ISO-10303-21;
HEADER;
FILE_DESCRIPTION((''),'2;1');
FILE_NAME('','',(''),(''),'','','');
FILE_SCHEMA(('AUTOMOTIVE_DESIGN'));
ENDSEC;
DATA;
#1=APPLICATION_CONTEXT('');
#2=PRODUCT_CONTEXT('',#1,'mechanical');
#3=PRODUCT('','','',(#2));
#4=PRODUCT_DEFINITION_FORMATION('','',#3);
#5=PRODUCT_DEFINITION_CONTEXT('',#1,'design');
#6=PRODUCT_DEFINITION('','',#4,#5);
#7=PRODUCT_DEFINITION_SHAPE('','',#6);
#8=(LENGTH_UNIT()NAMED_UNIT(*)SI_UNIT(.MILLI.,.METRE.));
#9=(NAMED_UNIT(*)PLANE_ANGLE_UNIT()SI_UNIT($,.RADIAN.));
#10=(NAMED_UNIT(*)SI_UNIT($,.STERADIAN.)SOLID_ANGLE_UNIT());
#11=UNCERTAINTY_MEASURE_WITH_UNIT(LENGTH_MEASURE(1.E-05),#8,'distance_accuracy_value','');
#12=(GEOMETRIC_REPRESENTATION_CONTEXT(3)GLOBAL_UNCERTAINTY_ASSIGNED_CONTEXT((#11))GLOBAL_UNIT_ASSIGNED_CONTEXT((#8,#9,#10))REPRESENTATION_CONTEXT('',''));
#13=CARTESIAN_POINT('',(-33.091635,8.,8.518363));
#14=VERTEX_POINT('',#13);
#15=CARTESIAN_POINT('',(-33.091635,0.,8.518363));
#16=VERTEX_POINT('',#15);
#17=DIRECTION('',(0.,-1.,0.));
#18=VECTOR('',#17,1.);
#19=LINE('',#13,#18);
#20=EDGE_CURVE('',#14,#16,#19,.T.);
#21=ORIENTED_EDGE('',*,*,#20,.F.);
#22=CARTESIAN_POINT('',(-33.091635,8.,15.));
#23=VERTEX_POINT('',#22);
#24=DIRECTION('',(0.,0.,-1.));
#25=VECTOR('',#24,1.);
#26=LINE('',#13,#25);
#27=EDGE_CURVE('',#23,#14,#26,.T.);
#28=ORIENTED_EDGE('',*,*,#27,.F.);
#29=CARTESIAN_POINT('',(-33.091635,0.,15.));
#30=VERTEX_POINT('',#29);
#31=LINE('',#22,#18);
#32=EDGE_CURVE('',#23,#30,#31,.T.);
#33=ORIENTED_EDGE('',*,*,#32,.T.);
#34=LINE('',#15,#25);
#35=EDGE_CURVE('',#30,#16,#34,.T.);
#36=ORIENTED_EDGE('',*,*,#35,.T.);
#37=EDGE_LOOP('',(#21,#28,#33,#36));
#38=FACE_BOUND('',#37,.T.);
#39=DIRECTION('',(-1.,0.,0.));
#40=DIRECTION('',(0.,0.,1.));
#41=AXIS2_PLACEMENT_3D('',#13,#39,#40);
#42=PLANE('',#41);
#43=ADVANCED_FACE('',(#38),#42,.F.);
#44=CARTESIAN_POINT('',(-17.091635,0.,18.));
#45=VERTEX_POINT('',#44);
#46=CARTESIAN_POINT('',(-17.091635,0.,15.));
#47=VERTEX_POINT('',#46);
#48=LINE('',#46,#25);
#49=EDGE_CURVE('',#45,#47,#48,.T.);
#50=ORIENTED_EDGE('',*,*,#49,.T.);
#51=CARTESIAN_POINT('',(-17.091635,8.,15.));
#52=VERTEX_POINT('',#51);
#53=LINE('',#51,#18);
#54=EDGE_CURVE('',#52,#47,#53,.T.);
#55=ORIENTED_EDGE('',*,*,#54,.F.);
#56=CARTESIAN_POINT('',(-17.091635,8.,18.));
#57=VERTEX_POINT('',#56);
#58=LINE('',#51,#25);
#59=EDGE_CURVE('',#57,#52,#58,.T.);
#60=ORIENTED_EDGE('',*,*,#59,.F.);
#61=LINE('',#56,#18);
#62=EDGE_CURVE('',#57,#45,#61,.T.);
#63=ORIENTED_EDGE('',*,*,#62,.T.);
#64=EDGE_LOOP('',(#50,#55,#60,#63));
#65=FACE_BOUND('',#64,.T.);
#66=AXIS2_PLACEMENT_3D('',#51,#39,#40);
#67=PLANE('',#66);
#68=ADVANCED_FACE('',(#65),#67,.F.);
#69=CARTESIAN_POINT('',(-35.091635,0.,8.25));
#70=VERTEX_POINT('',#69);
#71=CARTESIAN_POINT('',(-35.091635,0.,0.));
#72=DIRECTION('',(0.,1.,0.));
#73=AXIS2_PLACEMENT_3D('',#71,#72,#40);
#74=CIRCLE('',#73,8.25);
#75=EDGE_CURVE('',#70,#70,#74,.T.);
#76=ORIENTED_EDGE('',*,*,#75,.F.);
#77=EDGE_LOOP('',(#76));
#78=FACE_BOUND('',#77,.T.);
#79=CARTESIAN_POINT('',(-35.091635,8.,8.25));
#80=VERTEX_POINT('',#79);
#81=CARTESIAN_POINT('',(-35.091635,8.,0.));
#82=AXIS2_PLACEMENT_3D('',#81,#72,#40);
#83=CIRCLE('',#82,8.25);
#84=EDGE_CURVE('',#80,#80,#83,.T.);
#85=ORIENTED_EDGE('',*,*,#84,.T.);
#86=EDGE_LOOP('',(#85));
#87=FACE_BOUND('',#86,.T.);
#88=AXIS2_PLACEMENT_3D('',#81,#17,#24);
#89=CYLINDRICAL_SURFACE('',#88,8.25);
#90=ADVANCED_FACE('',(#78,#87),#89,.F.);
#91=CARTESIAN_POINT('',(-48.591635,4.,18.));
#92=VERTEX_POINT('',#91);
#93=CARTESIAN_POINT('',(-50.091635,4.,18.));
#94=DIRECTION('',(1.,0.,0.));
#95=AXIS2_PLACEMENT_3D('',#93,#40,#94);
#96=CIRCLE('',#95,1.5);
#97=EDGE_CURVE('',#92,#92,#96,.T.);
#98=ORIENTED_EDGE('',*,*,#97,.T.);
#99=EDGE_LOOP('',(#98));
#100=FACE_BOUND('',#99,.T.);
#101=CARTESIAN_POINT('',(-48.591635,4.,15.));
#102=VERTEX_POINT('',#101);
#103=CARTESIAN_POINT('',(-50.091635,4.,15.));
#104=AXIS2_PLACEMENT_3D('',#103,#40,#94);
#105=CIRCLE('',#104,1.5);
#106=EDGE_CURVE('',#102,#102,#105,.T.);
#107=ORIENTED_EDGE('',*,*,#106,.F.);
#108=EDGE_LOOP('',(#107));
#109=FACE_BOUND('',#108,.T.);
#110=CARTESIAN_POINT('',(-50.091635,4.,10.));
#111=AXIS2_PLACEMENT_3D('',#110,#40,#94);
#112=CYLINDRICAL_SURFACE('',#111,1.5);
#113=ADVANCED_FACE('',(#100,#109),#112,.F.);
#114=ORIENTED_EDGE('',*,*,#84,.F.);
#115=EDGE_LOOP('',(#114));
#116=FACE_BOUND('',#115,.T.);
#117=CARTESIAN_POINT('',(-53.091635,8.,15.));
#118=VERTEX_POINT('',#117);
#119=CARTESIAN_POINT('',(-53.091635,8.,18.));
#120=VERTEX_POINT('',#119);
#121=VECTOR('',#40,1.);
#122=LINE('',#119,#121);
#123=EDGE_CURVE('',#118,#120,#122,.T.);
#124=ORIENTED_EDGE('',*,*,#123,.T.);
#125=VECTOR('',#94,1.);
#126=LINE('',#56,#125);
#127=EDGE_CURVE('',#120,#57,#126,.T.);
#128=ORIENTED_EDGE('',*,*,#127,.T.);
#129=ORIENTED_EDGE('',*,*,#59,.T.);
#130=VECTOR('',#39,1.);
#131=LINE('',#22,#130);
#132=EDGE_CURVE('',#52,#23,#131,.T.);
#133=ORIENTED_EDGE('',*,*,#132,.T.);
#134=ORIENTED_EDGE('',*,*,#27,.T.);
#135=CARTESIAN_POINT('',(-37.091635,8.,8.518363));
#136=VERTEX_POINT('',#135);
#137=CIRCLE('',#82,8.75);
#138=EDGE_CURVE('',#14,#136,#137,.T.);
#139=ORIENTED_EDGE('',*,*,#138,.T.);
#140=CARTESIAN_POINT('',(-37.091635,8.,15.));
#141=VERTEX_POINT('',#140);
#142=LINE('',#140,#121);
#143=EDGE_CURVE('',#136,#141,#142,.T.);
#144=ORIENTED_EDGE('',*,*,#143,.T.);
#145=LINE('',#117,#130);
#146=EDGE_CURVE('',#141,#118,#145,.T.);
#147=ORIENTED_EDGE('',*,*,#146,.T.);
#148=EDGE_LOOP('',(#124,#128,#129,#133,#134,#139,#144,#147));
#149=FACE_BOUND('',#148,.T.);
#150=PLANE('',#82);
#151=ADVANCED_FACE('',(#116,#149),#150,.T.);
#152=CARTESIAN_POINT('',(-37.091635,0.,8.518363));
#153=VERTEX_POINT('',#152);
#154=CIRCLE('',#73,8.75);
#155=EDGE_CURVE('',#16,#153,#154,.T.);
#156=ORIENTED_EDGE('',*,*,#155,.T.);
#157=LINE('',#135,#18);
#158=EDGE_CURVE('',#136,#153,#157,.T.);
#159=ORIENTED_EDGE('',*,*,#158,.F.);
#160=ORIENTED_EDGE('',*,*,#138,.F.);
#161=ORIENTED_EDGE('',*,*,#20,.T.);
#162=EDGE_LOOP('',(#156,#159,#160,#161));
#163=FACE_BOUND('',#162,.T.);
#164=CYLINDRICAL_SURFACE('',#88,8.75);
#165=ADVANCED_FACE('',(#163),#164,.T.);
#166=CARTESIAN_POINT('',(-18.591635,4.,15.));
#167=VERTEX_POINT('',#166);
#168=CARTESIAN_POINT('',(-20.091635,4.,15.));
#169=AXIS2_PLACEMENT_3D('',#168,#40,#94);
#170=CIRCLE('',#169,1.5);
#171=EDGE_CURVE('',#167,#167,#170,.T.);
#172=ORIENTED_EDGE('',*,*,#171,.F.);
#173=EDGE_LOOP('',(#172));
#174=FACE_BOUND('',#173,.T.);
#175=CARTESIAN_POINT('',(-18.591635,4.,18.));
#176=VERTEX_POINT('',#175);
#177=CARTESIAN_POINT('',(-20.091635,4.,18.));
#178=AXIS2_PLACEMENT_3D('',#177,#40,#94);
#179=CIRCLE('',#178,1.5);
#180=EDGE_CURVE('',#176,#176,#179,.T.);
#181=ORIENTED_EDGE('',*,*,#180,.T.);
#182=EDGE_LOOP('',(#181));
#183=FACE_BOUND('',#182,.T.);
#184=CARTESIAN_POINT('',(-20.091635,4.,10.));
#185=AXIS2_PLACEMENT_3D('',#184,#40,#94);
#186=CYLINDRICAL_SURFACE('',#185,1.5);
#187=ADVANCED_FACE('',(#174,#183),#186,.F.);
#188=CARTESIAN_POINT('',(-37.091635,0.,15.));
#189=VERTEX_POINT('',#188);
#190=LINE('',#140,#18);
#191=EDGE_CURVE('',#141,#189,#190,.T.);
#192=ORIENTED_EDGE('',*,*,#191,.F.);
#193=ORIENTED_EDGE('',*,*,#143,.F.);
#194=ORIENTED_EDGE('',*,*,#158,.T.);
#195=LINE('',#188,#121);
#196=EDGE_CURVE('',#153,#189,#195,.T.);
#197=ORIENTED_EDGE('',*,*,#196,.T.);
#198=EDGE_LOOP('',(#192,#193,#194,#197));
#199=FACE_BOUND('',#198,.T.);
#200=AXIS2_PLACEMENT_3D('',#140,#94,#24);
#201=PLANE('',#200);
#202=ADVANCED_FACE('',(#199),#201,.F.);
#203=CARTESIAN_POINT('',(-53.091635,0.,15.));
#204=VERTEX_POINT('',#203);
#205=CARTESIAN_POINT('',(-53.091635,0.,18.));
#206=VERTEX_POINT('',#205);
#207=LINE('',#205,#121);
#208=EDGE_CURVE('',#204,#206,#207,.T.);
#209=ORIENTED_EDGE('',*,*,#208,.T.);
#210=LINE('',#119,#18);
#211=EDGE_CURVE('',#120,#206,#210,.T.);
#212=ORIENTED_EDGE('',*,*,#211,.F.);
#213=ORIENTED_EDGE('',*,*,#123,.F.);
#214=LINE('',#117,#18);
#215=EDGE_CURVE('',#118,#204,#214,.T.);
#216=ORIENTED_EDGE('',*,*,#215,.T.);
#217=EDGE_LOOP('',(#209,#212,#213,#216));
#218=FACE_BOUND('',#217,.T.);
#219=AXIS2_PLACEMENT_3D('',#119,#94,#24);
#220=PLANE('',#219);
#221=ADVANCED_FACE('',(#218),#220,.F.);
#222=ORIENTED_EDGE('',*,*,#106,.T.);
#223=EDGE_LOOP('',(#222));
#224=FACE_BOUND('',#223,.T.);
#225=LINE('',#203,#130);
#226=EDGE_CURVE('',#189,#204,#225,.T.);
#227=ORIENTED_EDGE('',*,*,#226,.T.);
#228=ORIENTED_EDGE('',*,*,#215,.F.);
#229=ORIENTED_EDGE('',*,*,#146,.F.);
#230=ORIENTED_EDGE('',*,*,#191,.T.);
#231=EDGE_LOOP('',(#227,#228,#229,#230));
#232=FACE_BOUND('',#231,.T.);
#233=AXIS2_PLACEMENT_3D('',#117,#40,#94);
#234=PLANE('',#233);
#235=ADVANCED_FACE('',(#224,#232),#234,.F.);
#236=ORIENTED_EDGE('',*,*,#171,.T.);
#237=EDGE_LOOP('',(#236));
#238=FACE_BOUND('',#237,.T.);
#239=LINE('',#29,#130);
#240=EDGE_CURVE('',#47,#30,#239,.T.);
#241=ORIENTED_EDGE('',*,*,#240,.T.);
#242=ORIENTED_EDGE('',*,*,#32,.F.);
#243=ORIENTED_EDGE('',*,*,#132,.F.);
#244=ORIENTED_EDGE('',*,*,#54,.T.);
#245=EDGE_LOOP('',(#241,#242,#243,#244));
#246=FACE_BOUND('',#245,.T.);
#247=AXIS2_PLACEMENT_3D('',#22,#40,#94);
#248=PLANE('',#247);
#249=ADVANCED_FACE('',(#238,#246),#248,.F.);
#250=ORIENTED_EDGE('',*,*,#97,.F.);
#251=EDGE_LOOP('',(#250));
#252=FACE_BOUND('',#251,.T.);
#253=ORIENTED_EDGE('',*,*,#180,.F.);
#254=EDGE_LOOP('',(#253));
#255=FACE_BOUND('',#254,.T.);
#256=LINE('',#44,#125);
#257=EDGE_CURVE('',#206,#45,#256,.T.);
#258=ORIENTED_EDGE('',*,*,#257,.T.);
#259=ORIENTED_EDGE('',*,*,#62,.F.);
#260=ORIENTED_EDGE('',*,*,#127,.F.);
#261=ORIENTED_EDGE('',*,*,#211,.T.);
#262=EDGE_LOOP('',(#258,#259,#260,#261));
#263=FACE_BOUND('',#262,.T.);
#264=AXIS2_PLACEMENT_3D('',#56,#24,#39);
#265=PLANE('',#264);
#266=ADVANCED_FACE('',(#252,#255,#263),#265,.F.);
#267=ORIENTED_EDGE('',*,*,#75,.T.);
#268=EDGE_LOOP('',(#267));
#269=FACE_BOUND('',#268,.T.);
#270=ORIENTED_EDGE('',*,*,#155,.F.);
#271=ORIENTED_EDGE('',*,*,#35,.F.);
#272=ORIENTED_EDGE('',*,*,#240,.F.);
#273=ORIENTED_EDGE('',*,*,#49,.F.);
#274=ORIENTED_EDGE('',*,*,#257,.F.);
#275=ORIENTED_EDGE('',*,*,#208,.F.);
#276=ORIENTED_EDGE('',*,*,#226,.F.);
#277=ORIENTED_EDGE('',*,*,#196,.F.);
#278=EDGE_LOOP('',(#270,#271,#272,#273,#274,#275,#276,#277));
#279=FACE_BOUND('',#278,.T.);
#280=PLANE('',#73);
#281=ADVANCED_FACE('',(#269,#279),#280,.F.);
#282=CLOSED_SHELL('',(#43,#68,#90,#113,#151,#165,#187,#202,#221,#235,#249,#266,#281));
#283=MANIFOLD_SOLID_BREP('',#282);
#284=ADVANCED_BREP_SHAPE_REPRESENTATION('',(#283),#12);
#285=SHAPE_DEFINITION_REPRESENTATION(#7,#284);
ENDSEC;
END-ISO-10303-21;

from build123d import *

# Parameters (mm, degrees)
SKETCH_1_R          = 8.75
SKETCH_1_R_2        = 8.25
EXTRUDE_2_DEPTH     = 10
SKETCH_2_R          = 8.25
SKETCH_2_R_2        = 2
EXTRUDE_3_DEPTH     = 4
EXTRUDE_4_DEPTH     = 8
SKETCH_5_W          = 3
SKETCH_5_H          = 8
EXTRUDE_5_DEPTH     = 3
SKETCH_6_W          = 3
SKETCH_6_H          = 8
EXTRUDE_6_DEPTH     = 3
SKETCH_7_R          = 1.5
CUT_EXTRUDE_1_DEPTH = 3
FILLET_1_R          = 5
FILLET_3_R          = 2
SKETCH_8_R          = 8.75
SKETCH_8_R_2        = 8.25
EXTRUDE_7_DEPTH     = 8
SKETCH_9_R          = 8.25
SKETCH_9_R_2        = 6
EXTRUDE_8_DEPTH     = 2
EXTRUDE_9_DEPTH     = 8
SKETCH_11_R         = 1.5
CUT_EXTRUDE_2_DEPTH = 8
CUT_EXTRUDE_3_DEPTH = 8
CUT_EXTRUDE_4_DEPTH = 8
SKETCH_14_R         = 8.75
SKETCH_14_R_2       = 8.25
EXTRUDE_10_DEPTH    = 8
EXTRUDE_11_DEPTH    = 8
SKETCH_16_R         = 1.5
CUT_EXTRUDE_5_DEPTH = 8
CUT_EXTRUDE_6_DEPTH = 10


with BuildPart() as part:
    # 草图1 → 凸台-拉伸2 (new body)
    with BuildSketch(Plane(origin=(0, 0, 0), x_dir=(1, 0, 0), z_dir=(0, 1, 0))):
        Circle(SKETCH_1_R)
        Circle(SKETCH_1_R_2, mode=Mode.SUBTRACT)
    extrude(amount=EXTRUDE_2_DEPTH)

    # 草图2 → 凸台-拉伸3 (add)
    with BuildSketch(Plane(origin=(0, 0, 0), x_dir=(1, 0, 0), z_dir=(0, 1, 0))):
        Circle(SKETCH_2_R)
        Circle(SKETCH_2_R_2, mode=Mode.SUBTRACT)
    extrude(amount=EXTRUDE_3_DEPTH)

    # 草图3 → 凸台-拉伸4 (add)
    with BuildSketch(Plane(origin=(0, 0, 0), x_dir=(1, 0, 0), z_dir=(0, 1, 0))):
        Polygon((-2, 8.518362519), (2, 8.518362519), (2, 15), (15, 15), (15, 18), (2, 18), (-2, 18), (-15, 18), (-15, 15), (-2, 15), align=None)
    extrude(amount=EXTRUDE_4_DEPTH)

    # 草图5 → 凸台-拉伸5 (add)
    with BuildSketch(Plane(origin=(15, 0, 0), x_dir=(0, 0, -1), z_dir=(1, 0, 0))):
        with Locations((16.5, 4)):
            Rectangle(SKETCH_5_W, SKETCH_5_H)
    extrude(amount=EXTRUDE_5_DEPTH)

    # 草图6 → 凸台-拉伸6 (add)
    with BuildSketch(Plane.ZY.offset(15)):
        with Locations((-16.5, 4)):
            Rectangle(SKETCH_6_W, SKETCH_6_H)
    extrude(amount=EXTRUDE_6_DEPTH)

    # 草图7 → 切除-拉伸1 (cut)
    with BuildSketch(Plane(origin=(0, 0, -18), x_dir=(-1, 0, 0), z_dir=(0, 0, -1))):
        with Locations((-15, 3.754021035)):
            Circle(SKETCH_7_R)
    cut_extrude_1 = extrude(amount=-CUT_EXTRUDE_1_DEPTH, mode=Mode.SUBTRACT)

    # 镜向1: 切除-拉伸1 across plane
    add(cut_extrude_1.mirror(Plane(origin=(0, 0, 0), x_dir=(0, 0, 1), z_dir=(1, 0, 0))), mode=Mode.SUBTRACT)

    # 圆角1
    fillet_1_edges = [part.edges().sort_by_distance(p)[0] for p in [
        (-2, 4, -8.518362519),
        (2, 4, -8.518362519),
    ]]
    fillet(fillet_1_edges, radius=FILLET_1_R)

    # 圆角3
    fillet_3_edges = [part.edges().sort_by_distance(p)[0] for p in [
        (-2, 4, -15),
        (2, 4, -15),
    ]]
    fillet(fillet_3_edges, radius=FILLET_3_R)


with BuildPart() as body_2:
    # 草图8 → 凸台-拉伸7 (new body)
    with BuildSketch(Plane(origin=(0, 0, 0), x_dir=(1, 0, 0), z_dir=(0, 1, 0))):
        with Locations((27.184954533, 0)):
            Circle(SKETCH_8_R)
        with Locations((27.184954533, 0)):
            Circle(SKETCH_8_R_2, mode=Mode.SUBTRACT)
    extrude(amount=EXTRUDE_7_DEPTH)

    # 草图9 → 凸台-拉伸8 (add)
    with BuildSketch(Plane.XZ):
        with Locations((27.184954533, 0)):
            Circle(SKETCH_9_R)
        with Locations((27.184954533, 0)):
            Circle(SKETCH_9_R_2, mode=Mode.SUBTRACT)
    extrude(amount=-EXTRUDE_8_DEPTH)

    # 草图10 → 凸台-拉伸9 (add)
    with BuildSketch(Plane(origin=(0, 0, 0), x_dir=(1, 0, 0), z_dir=(0, 1, 0))):
        Polygon((27.184954533, -18), (45.184954533, -18), (45.184954533, -14.663867829), (29.184954533, -14.663867829), (29.184954533, -8.518362519), (25.184954533, -8.518362519), (25.184954533, -14.663867829), (9.184954533, -14.663867829), (9.184954533, -18), align=None)
    extrude(amount=EXTRUDE_9_DEPTH)

    # 草图11 → 切除-拉伸2 (cut)
    with BuildSketch(Plane.XY.offset(18)):
        with Locations((12.184954533, 4)):
            Circle(SKETCH_11_R)
        with Locations((42.184954533, 4)):
            Circle(SKETCH_11_R)
    extrude(amount=-CUT_EXTRUDE_2_DEPTH, mode=Mode.SUBTRACT)

    # 草图12 → 切除-拉伸3 (cut)
    with BuildSketch(Plane.XY.offset(18)):
        with BuildLine():
            Line((10.684954533, 4), (10.684954533, 5))
            ThreePointArc((10.684954533, 5), (12.184954533, 6.5), (13.684954533, 5))
            Line((13.684954533, 5), (13.684954533, 4))
            Line((13.684954533, 4), (13.684954533, 3))
            ThreePointArc((13.684954533, 3), (12.184954533, 1.5), (10.684954533, 3))
            Line((10.684954533, 3), (10.684954533, 4))
        make_face()
    extrude(amount=-CUT_EXTRUDE_3_DEPTH, mode=Mode.SUBTRACT)

    # 草图13 → 切除-拉伸4 (cut)
    with BuildSketch(Plane.XY.offset(18)):
        with BuildLine():
            Line((40.684954533, 4), (40.684954533, 5))
            ThreePointArc((40.684954533, 5), (42.184954533, 6.5), (43.684954533, 5))
            Line((43.684954533, 5), (43.684954533, 4))
            Line((43.684954533, 4), (43.684954533, 3))
            ThreePointArc((43.684954533, 3), (42.184954533, 1.5), (40.684954533, 3))
            Line((40.684954533, 3), (40.684954533, 4))
        make_face()
    extrude(amount=-CUT_EXTRUDE_4_DEPTH, mode=Mode.SUBTRACT)


with BuildPart() as body_3:
    # 草图14 → 凸台-拉伸10 (new body)
    with BuildSketch(Plane(origin=(0, 0, 0), x_dir=(1, 0, 0), z_dir=(0, 1, 0))):
        with Locations((-35.091635024, 0)):
            Circle(SKETCH_14_R)
        with Locations((-35.091635024, 0)):
            Circle(SKETCH_14_R_2, mode=Mode.SUBTRACT)
    extrude(amount=EXTRUDE_10_DEPTH)

    # 草图15 → 凸台-拉伸11 (add)
    with BuildSketch(Plane(origin=(0, 0, 0), x_dir=(1, 0, 0), z_dir=(0, 1, 0))):
        Polygon((-37.091635024, -15), (-37.091635024, -8.518362519), (-33.091635024, -8.518362519), (-33.091635024, -15), (-17.091635024, -15), (-17.091635024, -18), (-53.091635024, -18), (-53.091635024, -15), align=None)
    extrude(amount=EXTRUDE_11_DEPTH)

    # 草图16 → 切除-拉伸5 (cut)
    with BuildSketch(Plane.XY.offset(18)):
        with Locations((-50.091635024, 4)):
            Circle(SKETCH_16_R)
        with Locations((-20.091635024, 4)):
            Circle(SKETCH_16_R)
    extrude(amount=-CUT_EXTRUDE_5_DEPTH, mode=Mode.SUBTRACT)


with BuildPart() as cut_extrude_6_tool:
    # 草图17 → 切除-拉伸6 (new body)
    with BuildSketch(Plane(origin=(0, 0, 0), x_dir=(1, 0, 0), z_dir=(0, 1, 0))):
        Polygon((-22.814109192, 34.802391794), (-16.193349778, -3.968895549), (-7.026713263, -18.825168522), (52.714469541, -30.836623265), (64.093742456, -10), (34.287483401, 32.08598291), align=None)
    extrude(amount=CUT_EXTRUDE_6_DEPTH)


with BuildPart() as part_1:
    add(part.part)

    # 切除-拉伸6: cut by cut_extrude_6_tool
    add(cut_extrude_6_tool.part, mode=Mode.SUBTRACT)


with BuildPart() as body_2_1:
    add(body_2.part)

    # 切除-拉伸6: cut by cut_extrude_6_tool
    add(cut_extrude_6_tool.part, mode=Mode.SUBTRACT)


solid = body_3.part
